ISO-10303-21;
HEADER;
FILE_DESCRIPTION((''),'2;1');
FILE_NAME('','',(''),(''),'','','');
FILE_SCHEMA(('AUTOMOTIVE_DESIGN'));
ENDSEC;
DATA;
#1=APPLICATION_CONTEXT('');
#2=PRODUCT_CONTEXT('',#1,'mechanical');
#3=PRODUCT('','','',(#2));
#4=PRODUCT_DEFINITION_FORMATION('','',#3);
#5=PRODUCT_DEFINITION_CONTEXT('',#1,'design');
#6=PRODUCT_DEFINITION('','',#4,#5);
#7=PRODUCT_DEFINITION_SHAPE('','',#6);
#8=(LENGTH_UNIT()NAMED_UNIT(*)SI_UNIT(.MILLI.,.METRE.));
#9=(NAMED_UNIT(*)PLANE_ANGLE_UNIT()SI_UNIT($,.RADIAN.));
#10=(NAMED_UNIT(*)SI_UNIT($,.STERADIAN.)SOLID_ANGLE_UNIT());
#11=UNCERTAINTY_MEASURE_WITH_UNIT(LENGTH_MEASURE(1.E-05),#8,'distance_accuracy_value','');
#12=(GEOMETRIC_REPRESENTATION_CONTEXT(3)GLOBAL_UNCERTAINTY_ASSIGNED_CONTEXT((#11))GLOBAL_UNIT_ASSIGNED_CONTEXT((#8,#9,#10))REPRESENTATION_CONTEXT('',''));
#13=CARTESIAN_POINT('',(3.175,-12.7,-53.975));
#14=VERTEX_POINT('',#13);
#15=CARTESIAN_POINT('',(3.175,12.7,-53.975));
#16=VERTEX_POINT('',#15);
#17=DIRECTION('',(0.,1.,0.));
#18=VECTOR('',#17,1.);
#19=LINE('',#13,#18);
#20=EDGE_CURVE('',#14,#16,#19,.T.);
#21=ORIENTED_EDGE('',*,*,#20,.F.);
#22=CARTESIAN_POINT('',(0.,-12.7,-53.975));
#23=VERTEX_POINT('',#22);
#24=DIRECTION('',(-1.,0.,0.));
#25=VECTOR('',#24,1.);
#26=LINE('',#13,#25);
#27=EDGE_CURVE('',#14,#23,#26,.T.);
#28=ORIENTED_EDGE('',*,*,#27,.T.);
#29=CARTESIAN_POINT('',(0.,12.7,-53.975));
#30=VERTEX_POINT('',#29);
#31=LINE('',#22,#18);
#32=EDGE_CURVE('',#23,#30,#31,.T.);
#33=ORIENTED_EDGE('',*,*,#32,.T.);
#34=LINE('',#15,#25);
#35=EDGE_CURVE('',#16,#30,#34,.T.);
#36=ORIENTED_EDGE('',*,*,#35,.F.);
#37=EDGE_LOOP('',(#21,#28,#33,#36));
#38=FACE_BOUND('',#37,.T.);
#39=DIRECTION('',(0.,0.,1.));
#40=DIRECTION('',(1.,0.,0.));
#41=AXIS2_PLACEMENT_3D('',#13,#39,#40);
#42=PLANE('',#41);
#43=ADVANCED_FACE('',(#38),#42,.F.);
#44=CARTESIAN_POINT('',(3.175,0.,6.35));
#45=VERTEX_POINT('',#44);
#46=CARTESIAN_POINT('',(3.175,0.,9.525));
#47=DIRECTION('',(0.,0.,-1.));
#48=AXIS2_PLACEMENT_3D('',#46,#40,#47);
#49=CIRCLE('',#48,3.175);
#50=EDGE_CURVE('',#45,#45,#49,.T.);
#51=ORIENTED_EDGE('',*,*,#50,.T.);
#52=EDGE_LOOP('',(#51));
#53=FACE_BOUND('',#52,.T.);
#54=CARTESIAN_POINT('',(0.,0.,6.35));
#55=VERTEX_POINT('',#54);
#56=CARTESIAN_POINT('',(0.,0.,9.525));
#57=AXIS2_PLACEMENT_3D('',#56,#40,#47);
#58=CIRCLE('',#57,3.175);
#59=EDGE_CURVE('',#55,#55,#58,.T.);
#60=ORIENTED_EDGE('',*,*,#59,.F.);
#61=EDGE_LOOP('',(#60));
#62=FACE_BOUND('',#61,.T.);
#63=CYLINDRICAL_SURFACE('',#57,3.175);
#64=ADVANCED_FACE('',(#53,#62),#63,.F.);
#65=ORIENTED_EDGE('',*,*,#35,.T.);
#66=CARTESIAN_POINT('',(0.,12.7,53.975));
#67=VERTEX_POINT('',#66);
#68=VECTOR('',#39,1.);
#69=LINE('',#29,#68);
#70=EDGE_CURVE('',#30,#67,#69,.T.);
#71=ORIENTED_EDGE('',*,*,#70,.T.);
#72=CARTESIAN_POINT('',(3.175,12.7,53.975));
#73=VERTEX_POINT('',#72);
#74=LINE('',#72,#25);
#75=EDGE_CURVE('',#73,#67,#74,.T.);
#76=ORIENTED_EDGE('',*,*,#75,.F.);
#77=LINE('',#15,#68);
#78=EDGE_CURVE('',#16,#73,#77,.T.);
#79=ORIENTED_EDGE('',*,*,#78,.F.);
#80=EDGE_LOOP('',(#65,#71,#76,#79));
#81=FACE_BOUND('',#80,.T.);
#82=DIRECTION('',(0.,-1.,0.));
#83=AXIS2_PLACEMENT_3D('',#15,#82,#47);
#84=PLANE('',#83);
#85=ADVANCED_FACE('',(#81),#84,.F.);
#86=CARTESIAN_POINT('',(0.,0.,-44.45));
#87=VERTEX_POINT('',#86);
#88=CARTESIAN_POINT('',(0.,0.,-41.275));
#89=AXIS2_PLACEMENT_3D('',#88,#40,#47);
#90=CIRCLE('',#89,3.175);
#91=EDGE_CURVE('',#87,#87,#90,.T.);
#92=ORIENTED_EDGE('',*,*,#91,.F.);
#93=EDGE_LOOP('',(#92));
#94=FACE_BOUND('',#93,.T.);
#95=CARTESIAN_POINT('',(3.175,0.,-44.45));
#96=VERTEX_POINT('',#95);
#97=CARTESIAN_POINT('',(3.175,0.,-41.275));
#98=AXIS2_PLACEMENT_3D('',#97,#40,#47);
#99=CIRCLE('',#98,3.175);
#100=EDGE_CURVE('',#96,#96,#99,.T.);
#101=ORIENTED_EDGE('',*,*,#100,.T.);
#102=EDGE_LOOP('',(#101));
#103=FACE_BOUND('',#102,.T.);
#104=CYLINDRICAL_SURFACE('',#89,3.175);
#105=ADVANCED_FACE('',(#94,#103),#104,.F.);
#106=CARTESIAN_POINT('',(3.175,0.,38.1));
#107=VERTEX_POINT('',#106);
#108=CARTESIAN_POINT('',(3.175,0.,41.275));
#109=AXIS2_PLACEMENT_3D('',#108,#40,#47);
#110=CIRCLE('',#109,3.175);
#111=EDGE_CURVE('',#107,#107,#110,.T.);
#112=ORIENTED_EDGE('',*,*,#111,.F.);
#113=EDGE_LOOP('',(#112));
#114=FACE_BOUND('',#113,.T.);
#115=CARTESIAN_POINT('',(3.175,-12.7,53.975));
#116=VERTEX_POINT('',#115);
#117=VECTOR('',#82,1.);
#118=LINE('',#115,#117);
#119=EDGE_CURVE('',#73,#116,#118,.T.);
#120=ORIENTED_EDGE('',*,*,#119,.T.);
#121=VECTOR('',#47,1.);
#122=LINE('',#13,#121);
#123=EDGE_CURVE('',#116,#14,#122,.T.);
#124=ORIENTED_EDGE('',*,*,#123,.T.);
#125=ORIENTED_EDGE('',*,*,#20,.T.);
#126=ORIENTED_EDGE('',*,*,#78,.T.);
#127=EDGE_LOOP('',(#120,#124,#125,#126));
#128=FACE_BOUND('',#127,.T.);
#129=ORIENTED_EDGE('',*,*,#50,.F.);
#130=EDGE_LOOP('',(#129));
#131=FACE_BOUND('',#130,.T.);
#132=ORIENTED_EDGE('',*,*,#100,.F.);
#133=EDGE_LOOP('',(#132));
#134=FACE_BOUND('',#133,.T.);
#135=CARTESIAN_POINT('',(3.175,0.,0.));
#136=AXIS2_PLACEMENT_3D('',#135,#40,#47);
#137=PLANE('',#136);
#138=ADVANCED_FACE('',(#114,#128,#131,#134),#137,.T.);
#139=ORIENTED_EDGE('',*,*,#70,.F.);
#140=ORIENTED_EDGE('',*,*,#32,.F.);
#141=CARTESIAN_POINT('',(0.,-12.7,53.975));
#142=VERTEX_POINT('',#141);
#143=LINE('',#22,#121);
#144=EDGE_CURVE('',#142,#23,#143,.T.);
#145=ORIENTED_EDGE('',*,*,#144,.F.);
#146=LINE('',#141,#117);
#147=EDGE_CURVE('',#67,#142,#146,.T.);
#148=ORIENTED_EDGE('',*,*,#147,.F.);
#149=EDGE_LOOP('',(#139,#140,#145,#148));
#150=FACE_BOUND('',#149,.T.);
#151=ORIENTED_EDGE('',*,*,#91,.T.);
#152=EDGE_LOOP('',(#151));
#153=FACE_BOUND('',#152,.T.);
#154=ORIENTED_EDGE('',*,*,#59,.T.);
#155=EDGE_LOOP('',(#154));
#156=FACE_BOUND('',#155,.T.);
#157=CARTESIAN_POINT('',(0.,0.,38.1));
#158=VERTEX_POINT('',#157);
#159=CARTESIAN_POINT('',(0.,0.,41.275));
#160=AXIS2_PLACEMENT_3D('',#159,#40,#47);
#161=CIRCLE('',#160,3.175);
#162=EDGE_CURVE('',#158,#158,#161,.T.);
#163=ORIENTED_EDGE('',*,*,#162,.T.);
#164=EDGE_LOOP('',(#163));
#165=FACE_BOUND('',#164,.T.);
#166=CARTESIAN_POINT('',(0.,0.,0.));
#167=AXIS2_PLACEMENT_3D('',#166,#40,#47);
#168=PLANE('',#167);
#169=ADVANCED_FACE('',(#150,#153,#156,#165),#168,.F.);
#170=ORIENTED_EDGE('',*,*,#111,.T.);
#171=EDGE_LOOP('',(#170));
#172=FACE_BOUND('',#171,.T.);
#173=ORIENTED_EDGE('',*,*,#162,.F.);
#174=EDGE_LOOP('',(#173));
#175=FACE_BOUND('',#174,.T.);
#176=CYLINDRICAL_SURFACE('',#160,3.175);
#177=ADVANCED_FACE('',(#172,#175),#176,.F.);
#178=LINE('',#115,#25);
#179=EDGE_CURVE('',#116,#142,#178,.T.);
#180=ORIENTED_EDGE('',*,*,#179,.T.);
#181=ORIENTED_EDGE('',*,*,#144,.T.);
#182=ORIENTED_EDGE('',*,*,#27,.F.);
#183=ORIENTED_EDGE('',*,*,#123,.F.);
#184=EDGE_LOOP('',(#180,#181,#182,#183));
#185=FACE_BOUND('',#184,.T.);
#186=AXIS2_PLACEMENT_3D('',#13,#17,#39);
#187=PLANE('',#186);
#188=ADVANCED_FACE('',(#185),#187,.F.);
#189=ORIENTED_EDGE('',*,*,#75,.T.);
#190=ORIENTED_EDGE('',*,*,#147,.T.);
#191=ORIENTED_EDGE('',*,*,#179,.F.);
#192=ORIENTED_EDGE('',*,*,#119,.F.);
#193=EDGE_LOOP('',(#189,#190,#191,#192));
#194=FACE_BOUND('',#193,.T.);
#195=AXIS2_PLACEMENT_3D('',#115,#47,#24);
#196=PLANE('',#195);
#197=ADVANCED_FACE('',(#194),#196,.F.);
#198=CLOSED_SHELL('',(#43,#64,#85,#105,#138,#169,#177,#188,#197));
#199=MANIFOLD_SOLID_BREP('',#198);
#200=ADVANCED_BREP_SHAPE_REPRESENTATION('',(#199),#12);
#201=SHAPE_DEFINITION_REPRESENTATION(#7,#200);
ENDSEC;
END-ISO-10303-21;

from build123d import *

# Parameters (mm, degrees)
SKETCH1_W           = 107.95
SKETCH1_H           = 25.4
BOSS_EXTRUDE1_DEPTH = 3.175
SKETCH2_R           = 3.175
CUT_EXTRUDE1_DEPTH  = 4.175


with BuildPart() as part:
    # Sketch1 → Boss-Extrude1 (new body)
    with BuildSketch(Plane(origin=(0, 0, 0), x_dir=(0, 0, -1), z_dir=(1, 0, 0))):
        Rectangle(SKETCH1_W, SKETCH1_H)
    extrude(amount=BOSS_EXTRUDE1_DEPTH)

    # Sketch2 → Cut-Extrude1 (cut, through all)
    with BuildSketch(Plane(origin=(3.175, 0, 0), x_dir=(0, 0, -1), z_dir=(1, 0, 0))):
        with Locations((41.275, 0)):
            Circle(SKETCH2_R)
        with Locations((-9.525, 0)):
            Circle(SKETCH2_R)
        with Locations((-41.275, 0)):
            Circle(SKETCH2_R)
    extrude(amount=-CUT_EXTRUDE1_DEPTH, mode=Mode.SUBTRACT)


solid = part.part
